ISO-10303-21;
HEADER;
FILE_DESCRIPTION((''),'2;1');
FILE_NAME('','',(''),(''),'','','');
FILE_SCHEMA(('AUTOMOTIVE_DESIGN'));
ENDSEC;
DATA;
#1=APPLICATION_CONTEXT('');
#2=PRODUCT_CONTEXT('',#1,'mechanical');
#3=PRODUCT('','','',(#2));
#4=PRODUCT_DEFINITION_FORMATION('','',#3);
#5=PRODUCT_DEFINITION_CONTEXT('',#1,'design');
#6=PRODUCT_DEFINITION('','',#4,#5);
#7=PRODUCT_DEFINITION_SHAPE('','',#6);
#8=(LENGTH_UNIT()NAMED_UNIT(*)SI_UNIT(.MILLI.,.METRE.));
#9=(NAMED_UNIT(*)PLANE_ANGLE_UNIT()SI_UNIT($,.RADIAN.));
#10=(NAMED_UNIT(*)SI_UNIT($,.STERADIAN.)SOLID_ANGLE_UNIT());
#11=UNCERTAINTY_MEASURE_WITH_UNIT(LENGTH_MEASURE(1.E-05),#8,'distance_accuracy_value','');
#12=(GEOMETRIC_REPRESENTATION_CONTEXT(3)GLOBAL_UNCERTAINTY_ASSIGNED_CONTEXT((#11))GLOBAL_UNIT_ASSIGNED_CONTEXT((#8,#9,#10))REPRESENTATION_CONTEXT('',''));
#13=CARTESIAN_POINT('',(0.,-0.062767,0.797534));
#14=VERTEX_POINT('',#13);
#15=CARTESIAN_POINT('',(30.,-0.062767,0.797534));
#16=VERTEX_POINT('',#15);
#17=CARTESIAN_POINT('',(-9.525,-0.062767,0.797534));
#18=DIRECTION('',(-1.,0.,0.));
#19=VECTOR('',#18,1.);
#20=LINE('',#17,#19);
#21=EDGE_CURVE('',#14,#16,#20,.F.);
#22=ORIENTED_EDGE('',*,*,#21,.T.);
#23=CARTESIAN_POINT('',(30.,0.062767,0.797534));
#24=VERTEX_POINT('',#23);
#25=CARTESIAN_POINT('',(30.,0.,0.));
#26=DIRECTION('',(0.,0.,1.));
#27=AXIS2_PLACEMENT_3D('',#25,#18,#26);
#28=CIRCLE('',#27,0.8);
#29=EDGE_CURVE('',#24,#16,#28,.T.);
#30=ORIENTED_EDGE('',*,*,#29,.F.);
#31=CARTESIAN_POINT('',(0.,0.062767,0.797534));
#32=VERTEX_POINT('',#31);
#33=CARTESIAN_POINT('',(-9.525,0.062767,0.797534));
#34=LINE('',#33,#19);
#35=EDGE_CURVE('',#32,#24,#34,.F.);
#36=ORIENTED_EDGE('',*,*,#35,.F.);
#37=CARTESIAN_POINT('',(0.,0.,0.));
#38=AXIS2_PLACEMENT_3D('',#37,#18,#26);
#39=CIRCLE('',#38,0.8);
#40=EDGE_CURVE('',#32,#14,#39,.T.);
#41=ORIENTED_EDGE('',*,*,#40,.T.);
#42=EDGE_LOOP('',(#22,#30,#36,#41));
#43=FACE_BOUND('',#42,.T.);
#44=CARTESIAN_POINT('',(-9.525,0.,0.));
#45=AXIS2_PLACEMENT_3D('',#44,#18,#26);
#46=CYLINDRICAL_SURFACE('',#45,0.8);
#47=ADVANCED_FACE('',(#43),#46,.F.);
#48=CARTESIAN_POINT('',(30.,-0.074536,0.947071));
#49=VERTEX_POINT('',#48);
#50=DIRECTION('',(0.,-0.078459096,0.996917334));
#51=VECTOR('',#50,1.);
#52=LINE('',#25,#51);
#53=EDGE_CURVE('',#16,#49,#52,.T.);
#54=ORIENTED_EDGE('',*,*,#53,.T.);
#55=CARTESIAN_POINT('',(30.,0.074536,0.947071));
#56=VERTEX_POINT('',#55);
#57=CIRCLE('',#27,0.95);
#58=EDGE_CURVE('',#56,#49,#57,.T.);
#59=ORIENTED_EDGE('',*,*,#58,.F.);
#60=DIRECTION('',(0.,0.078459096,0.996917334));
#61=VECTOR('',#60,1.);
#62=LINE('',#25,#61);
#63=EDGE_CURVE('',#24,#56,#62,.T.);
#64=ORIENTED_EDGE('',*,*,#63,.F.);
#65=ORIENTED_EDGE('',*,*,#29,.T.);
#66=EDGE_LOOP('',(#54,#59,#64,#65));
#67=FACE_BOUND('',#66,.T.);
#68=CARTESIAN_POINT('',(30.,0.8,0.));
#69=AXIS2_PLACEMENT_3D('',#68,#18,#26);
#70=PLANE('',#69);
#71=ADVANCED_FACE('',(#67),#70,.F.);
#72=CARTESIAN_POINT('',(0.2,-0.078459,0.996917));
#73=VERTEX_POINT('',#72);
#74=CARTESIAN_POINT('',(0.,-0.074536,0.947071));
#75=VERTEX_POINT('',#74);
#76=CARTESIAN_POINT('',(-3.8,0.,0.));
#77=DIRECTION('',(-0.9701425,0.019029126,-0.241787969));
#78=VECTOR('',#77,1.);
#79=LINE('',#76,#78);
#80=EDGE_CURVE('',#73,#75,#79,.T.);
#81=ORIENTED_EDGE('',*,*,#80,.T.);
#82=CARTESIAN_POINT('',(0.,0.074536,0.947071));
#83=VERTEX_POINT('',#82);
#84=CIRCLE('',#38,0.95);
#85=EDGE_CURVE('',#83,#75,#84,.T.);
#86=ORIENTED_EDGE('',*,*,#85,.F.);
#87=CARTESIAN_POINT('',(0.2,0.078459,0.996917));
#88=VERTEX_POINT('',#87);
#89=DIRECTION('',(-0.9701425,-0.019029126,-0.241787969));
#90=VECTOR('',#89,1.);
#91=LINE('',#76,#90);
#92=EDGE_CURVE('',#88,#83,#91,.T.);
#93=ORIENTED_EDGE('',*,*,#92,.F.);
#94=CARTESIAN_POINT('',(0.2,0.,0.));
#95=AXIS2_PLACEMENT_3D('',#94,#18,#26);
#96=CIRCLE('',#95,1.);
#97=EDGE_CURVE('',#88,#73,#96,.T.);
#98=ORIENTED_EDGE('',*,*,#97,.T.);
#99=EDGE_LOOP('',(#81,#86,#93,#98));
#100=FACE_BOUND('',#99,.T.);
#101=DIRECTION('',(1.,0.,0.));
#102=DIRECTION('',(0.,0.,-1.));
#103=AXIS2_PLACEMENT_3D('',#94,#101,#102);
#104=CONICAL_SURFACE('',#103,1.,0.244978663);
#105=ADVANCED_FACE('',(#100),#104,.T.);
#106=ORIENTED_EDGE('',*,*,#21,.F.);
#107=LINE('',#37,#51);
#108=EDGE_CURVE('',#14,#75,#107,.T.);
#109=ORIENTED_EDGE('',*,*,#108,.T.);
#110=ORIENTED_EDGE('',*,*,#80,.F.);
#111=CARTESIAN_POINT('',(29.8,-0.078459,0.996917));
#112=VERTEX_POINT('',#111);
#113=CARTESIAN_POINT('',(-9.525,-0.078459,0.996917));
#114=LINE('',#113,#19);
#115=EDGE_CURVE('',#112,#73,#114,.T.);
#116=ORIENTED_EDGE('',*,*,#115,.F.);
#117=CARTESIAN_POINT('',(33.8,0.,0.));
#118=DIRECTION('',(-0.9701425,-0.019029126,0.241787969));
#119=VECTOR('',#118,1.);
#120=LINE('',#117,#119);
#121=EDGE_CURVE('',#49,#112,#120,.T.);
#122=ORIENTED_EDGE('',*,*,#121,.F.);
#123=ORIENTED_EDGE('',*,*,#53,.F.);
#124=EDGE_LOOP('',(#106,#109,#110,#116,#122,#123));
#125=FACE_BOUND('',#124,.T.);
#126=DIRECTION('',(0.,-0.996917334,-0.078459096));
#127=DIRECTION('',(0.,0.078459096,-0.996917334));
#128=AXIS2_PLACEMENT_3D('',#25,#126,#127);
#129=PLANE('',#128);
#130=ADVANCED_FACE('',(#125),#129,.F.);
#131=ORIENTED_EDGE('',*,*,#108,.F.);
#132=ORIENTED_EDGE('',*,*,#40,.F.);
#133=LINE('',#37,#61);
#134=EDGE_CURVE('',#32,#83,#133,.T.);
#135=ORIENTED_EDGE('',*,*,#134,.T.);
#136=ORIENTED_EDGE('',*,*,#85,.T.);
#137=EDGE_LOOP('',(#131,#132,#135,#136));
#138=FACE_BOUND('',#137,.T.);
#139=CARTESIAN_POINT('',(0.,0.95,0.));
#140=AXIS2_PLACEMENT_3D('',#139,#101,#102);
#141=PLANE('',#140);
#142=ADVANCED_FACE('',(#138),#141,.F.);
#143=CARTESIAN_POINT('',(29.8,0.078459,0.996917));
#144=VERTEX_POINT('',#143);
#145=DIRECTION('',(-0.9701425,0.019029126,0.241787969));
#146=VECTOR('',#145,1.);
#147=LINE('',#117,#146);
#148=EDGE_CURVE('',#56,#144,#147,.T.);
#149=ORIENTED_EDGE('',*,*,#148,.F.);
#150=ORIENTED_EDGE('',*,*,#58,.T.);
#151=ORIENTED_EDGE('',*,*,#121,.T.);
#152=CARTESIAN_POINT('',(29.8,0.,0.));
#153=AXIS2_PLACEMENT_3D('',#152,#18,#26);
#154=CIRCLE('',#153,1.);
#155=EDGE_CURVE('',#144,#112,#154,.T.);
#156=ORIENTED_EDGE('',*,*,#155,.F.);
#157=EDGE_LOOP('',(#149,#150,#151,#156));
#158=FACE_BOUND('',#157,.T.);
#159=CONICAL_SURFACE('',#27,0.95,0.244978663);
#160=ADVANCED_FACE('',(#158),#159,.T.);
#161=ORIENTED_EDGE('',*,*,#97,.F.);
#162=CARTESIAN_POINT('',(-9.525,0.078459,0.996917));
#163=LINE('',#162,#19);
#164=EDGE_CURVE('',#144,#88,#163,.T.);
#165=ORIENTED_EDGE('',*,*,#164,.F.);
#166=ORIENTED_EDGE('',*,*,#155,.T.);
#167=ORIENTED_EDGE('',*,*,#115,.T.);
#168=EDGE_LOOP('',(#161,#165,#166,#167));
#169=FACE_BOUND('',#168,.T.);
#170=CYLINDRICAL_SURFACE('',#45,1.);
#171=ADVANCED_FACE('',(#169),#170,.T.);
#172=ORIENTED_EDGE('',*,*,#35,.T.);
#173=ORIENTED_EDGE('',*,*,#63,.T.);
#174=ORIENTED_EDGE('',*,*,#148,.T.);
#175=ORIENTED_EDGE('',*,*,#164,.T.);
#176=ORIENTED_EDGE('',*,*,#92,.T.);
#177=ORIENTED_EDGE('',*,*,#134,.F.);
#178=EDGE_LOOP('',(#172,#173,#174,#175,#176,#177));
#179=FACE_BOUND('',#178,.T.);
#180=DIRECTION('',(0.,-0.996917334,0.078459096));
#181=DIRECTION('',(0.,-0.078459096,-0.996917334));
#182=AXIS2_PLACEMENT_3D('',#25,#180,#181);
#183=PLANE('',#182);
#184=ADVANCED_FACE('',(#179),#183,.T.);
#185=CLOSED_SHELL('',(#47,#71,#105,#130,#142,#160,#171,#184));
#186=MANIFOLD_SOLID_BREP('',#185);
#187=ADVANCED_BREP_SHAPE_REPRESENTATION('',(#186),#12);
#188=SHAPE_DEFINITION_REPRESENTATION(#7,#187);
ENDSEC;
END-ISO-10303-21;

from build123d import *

# Parameters (mm, degrees)
GAP_DEPTH = 31.033314835


with BuildPart() as part:
    # Sketch1 → Base-Revolve (revolve)
    with BuildSketch(Plane.XY, mode=Mode.PRIVATE) as base_revolve_sk:
        Polygon((0, 0.8), (30, 0.8), (30, 0.95), (29.8, 1), (0.2, 1), (0, 0.95), align=None)
    revolve(base_revolve_sk.sketch.rotate(Axis((-9.525, 0, 0), (1, 0, 0)), 90), axis=Axis((-9.525, 0, 0), (1, 0, 0)))

    # Sketch2 → Gap (cut, through all)
    with BuildSketch(Plane(origin=(0, 0, 0), x_dir=(0, -1, 0), z_dir=(-1, 0, 0))):
        with BuildLine():
            Line((0, 0), (0.080028278, 1.01685568))
            ThreePointArc((0.080028278, 1.01685568), (0, 1.02), (-0.080028278, 1.01685568))
            Line((-0.080028278, 1.01685568), (0, 0))
        make_face()
    extrude(amount=-GAP_DEPTH, mode=Mode.SUBTRACT)


solid = part.part
